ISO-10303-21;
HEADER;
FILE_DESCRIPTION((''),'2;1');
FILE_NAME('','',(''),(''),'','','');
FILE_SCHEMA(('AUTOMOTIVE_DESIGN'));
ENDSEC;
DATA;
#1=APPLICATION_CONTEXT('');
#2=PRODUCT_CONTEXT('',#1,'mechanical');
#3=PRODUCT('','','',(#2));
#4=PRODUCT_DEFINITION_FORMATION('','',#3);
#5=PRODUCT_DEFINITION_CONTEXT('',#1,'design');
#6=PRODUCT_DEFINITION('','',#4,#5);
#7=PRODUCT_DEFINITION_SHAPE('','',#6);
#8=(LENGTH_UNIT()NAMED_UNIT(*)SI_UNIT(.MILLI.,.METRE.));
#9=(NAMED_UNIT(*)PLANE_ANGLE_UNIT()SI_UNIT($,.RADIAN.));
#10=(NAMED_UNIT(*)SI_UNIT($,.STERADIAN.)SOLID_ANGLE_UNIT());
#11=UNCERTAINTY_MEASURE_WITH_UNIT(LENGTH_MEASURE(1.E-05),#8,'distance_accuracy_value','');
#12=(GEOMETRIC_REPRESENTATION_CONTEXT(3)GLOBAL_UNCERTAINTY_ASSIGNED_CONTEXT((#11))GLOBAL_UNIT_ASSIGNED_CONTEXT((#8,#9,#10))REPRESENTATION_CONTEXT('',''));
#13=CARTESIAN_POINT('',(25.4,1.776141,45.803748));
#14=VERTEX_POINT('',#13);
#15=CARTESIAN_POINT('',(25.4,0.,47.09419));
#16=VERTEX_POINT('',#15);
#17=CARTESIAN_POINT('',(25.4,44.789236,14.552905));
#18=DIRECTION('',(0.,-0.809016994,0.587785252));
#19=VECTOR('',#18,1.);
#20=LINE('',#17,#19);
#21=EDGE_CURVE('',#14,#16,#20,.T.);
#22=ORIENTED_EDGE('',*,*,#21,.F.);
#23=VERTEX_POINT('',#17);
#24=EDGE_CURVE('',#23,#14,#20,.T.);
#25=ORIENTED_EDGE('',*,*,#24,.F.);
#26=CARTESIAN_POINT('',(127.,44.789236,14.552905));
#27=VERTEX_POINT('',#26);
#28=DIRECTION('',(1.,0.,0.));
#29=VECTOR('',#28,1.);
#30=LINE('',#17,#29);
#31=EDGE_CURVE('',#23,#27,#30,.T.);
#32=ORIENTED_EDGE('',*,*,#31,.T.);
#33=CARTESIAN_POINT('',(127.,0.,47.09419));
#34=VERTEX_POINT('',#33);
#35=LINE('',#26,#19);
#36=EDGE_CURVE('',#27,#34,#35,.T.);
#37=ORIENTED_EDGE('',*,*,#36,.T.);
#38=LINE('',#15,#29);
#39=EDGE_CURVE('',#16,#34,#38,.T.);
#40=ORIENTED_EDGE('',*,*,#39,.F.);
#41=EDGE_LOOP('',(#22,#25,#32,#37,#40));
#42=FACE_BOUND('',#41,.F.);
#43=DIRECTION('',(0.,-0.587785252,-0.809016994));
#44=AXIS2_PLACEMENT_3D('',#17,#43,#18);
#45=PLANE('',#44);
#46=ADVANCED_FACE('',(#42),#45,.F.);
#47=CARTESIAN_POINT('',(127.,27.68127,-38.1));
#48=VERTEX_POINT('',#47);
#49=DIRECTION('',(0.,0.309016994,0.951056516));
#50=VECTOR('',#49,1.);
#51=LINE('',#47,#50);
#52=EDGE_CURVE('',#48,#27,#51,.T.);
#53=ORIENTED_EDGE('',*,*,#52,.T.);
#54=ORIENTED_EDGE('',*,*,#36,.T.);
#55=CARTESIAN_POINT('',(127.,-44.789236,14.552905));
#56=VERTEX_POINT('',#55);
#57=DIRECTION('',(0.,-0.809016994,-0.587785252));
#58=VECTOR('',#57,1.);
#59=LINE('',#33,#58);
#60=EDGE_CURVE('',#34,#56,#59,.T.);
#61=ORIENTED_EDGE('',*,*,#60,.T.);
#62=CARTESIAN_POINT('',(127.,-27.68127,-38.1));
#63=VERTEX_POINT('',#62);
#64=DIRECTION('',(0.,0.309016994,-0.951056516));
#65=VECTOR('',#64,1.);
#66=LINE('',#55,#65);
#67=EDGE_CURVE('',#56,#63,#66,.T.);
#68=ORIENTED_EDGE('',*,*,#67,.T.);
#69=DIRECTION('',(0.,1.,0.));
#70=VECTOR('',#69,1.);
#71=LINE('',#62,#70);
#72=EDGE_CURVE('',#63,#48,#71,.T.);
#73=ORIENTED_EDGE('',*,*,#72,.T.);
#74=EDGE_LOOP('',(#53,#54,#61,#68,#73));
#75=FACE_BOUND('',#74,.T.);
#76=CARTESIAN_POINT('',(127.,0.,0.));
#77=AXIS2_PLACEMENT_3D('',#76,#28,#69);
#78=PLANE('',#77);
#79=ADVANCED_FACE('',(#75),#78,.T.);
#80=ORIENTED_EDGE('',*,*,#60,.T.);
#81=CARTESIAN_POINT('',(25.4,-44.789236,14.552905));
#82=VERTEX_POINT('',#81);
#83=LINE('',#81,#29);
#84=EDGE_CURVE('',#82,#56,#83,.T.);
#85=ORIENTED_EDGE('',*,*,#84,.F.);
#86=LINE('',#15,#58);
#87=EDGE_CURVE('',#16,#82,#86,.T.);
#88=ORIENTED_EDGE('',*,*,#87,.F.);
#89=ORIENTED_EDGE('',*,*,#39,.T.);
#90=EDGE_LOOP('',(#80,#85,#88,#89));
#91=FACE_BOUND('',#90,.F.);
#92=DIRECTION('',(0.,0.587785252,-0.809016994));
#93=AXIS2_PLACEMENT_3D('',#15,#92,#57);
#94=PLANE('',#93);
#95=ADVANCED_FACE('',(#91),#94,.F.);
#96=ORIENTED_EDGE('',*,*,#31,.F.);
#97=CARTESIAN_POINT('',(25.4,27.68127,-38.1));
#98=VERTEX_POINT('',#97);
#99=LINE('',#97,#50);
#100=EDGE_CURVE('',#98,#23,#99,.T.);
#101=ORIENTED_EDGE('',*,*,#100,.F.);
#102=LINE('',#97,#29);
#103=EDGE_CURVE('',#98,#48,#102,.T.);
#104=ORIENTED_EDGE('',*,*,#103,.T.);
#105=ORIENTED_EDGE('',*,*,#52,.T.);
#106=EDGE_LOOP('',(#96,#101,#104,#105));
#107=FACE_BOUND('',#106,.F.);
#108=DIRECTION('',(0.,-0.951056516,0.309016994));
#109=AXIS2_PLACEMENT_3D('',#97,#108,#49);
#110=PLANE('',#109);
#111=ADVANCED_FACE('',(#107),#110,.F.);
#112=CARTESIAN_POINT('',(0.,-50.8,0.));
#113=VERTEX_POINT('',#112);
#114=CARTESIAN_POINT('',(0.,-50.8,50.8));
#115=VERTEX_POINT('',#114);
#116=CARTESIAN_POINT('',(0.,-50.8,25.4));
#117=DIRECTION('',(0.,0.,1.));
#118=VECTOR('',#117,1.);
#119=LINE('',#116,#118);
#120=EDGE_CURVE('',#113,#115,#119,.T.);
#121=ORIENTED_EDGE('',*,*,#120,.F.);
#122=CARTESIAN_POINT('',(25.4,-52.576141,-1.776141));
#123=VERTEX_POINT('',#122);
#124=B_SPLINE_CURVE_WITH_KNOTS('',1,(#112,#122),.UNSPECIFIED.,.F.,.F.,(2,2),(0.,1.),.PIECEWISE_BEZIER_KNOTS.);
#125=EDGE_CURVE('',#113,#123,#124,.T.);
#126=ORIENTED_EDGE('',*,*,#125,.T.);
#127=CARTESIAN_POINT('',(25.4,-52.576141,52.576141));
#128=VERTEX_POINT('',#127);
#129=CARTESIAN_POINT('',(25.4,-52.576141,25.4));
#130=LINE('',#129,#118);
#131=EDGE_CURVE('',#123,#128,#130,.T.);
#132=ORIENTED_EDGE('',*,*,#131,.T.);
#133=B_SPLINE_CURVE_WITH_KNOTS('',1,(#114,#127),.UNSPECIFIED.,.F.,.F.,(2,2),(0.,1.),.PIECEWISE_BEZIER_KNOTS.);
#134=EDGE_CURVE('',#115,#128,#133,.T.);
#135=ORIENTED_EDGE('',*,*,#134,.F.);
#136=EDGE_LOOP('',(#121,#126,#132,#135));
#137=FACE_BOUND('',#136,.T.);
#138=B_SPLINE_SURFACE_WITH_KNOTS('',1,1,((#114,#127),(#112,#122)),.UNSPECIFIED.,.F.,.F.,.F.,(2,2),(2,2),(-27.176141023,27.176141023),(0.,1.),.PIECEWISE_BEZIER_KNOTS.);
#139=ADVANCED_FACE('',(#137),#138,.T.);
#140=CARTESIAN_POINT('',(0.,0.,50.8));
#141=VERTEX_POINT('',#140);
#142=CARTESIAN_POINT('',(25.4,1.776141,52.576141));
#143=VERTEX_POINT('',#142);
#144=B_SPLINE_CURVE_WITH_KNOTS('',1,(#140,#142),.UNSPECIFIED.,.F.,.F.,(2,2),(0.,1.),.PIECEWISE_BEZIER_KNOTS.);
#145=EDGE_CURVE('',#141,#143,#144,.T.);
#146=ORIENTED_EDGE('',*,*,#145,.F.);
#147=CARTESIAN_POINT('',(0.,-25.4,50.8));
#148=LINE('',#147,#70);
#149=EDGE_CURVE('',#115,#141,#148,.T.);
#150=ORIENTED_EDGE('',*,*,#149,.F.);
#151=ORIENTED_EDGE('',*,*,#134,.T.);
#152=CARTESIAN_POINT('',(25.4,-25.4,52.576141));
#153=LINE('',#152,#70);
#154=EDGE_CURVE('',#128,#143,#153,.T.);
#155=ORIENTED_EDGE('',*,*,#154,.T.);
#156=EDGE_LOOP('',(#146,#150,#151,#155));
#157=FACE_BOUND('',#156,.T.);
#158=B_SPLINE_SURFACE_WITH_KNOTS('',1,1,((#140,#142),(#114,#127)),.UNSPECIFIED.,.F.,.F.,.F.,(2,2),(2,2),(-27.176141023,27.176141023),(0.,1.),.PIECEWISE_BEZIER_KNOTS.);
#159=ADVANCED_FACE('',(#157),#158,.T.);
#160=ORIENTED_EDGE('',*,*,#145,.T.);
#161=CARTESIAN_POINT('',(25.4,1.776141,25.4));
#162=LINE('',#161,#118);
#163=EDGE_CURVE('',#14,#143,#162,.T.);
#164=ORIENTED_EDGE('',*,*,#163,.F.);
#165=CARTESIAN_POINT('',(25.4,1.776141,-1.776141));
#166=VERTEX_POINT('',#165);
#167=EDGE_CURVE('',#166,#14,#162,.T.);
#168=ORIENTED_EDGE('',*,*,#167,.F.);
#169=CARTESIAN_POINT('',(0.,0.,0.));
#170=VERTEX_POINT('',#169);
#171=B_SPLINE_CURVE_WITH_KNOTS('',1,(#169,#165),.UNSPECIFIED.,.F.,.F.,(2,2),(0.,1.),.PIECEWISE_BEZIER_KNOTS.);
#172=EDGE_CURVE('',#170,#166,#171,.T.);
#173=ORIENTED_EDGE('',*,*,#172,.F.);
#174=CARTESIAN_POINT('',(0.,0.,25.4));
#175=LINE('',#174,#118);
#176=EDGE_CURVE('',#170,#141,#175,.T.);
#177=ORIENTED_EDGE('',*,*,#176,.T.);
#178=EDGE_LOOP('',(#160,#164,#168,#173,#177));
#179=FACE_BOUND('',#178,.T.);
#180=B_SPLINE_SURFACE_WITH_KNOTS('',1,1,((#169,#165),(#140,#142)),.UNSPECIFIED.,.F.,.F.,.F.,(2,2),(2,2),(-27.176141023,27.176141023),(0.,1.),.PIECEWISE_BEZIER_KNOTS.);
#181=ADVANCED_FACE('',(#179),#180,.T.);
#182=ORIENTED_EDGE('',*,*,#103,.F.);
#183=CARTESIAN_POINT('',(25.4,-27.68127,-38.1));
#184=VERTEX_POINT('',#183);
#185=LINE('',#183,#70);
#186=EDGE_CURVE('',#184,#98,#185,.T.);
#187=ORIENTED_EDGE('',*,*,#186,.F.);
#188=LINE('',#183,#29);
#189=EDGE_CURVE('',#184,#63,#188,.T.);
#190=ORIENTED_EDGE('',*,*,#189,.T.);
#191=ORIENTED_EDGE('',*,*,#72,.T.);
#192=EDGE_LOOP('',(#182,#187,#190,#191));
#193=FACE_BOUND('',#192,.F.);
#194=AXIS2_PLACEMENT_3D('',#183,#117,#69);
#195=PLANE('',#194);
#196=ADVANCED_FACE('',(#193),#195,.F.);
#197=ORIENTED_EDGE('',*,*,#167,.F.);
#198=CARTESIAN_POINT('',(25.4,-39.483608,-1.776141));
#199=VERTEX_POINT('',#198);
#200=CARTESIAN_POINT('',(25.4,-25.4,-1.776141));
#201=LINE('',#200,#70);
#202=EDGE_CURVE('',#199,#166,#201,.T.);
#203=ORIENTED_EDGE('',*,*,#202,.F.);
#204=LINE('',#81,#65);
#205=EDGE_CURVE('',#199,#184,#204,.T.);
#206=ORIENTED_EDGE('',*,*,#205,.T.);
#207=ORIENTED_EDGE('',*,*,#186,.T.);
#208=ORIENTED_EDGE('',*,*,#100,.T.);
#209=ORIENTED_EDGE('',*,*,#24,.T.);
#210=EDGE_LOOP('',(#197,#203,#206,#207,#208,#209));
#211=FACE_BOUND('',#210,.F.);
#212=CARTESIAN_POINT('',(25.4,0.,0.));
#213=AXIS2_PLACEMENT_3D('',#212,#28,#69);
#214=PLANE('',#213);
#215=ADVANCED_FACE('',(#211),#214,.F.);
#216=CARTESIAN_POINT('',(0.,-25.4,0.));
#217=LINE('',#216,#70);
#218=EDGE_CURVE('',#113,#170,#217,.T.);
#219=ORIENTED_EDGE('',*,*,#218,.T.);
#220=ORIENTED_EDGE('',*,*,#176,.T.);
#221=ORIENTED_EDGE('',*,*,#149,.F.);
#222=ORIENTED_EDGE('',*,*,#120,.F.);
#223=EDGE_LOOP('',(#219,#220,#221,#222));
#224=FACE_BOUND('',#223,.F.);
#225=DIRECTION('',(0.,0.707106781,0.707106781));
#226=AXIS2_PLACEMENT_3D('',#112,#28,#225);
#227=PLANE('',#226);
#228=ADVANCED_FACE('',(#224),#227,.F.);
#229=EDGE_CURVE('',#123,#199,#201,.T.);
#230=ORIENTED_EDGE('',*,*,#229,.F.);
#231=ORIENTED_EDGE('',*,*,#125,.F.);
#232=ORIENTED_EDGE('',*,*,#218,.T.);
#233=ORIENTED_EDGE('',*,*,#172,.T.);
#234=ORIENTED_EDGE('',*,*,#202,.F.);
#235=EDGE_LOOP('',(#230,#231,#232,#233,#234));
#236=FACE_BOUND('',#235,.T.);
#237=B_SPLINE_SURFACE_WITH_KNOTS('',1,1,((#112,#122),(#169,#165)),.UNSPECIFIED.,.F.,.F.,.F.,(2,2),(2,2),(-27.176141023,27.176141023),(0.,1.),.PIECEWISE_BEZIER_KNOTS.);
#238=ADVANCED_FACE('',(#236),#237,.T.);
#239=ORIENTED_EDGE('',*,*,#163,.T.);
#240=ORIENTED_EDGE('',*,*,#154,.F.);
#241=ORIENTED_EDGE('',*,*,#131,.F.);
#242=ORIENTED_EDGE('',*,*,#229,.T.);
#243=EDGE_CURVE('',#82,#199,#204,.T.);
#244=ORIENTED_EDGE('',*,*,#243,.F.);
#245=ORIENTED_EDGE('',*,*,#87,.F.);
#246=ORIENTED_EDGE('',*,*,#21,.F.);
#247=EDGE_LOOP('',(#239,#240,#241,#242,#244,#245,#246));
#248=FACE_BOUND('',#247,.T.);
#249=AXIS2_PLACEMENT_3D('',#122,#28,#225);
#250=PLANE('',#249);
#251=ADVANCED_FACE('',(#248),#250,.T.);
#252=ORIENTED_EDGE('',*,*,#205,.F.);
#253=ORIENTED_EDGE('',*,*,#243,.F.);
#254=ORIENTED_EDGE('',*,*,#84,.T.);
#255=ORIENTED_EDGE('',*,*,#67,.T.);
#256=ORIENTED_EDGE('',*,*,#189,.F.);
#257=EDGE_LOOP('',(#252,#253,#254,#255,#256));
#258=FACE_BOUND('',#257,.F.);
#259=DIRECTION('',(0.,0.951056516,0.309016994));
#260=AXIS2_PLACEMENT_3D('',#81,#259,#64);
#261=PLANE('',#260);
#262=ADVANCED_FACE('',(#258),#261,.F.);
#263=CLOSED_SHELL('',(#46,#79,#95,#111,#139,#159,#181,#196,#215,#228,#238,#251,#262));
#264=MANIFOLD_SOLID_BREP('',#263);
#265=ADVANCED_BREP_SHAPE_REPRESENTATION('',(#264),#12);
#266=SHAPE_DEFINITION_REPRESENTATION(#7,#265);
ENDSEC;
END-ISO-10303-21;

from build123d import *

# Parameters (mm, degrees)
F0_W     = 50.8
F0_H     = 50.8
F1_DEPTH = 25.4
F1_TAPER = -4
F3_DEPTH = 101.6


with BuildPart() as f1:
    # F0 (on Right) → F1 (new body)
    with BuildSketch(Plane.YZ):
        with Locations((-25.4, 25.4)):
            Rectangle(F0_W, F0_H)
    extrude(amount=F1_DEPTH, taper=F1_TAPER)

    # F2 (on face) → F3 (join)
    with BuildSketch(Plane.YZ.offset(25.4)):
        Polygon((-27.681270317, -38.1), (27.681270317, -38.1), (44.7892362247, 14.5529050286), (0, 47.0941899427), (-44.7892362247, 14.5529050286), align=None)
    extrude(amount=F3_DEPTH)


solid = f1.part
